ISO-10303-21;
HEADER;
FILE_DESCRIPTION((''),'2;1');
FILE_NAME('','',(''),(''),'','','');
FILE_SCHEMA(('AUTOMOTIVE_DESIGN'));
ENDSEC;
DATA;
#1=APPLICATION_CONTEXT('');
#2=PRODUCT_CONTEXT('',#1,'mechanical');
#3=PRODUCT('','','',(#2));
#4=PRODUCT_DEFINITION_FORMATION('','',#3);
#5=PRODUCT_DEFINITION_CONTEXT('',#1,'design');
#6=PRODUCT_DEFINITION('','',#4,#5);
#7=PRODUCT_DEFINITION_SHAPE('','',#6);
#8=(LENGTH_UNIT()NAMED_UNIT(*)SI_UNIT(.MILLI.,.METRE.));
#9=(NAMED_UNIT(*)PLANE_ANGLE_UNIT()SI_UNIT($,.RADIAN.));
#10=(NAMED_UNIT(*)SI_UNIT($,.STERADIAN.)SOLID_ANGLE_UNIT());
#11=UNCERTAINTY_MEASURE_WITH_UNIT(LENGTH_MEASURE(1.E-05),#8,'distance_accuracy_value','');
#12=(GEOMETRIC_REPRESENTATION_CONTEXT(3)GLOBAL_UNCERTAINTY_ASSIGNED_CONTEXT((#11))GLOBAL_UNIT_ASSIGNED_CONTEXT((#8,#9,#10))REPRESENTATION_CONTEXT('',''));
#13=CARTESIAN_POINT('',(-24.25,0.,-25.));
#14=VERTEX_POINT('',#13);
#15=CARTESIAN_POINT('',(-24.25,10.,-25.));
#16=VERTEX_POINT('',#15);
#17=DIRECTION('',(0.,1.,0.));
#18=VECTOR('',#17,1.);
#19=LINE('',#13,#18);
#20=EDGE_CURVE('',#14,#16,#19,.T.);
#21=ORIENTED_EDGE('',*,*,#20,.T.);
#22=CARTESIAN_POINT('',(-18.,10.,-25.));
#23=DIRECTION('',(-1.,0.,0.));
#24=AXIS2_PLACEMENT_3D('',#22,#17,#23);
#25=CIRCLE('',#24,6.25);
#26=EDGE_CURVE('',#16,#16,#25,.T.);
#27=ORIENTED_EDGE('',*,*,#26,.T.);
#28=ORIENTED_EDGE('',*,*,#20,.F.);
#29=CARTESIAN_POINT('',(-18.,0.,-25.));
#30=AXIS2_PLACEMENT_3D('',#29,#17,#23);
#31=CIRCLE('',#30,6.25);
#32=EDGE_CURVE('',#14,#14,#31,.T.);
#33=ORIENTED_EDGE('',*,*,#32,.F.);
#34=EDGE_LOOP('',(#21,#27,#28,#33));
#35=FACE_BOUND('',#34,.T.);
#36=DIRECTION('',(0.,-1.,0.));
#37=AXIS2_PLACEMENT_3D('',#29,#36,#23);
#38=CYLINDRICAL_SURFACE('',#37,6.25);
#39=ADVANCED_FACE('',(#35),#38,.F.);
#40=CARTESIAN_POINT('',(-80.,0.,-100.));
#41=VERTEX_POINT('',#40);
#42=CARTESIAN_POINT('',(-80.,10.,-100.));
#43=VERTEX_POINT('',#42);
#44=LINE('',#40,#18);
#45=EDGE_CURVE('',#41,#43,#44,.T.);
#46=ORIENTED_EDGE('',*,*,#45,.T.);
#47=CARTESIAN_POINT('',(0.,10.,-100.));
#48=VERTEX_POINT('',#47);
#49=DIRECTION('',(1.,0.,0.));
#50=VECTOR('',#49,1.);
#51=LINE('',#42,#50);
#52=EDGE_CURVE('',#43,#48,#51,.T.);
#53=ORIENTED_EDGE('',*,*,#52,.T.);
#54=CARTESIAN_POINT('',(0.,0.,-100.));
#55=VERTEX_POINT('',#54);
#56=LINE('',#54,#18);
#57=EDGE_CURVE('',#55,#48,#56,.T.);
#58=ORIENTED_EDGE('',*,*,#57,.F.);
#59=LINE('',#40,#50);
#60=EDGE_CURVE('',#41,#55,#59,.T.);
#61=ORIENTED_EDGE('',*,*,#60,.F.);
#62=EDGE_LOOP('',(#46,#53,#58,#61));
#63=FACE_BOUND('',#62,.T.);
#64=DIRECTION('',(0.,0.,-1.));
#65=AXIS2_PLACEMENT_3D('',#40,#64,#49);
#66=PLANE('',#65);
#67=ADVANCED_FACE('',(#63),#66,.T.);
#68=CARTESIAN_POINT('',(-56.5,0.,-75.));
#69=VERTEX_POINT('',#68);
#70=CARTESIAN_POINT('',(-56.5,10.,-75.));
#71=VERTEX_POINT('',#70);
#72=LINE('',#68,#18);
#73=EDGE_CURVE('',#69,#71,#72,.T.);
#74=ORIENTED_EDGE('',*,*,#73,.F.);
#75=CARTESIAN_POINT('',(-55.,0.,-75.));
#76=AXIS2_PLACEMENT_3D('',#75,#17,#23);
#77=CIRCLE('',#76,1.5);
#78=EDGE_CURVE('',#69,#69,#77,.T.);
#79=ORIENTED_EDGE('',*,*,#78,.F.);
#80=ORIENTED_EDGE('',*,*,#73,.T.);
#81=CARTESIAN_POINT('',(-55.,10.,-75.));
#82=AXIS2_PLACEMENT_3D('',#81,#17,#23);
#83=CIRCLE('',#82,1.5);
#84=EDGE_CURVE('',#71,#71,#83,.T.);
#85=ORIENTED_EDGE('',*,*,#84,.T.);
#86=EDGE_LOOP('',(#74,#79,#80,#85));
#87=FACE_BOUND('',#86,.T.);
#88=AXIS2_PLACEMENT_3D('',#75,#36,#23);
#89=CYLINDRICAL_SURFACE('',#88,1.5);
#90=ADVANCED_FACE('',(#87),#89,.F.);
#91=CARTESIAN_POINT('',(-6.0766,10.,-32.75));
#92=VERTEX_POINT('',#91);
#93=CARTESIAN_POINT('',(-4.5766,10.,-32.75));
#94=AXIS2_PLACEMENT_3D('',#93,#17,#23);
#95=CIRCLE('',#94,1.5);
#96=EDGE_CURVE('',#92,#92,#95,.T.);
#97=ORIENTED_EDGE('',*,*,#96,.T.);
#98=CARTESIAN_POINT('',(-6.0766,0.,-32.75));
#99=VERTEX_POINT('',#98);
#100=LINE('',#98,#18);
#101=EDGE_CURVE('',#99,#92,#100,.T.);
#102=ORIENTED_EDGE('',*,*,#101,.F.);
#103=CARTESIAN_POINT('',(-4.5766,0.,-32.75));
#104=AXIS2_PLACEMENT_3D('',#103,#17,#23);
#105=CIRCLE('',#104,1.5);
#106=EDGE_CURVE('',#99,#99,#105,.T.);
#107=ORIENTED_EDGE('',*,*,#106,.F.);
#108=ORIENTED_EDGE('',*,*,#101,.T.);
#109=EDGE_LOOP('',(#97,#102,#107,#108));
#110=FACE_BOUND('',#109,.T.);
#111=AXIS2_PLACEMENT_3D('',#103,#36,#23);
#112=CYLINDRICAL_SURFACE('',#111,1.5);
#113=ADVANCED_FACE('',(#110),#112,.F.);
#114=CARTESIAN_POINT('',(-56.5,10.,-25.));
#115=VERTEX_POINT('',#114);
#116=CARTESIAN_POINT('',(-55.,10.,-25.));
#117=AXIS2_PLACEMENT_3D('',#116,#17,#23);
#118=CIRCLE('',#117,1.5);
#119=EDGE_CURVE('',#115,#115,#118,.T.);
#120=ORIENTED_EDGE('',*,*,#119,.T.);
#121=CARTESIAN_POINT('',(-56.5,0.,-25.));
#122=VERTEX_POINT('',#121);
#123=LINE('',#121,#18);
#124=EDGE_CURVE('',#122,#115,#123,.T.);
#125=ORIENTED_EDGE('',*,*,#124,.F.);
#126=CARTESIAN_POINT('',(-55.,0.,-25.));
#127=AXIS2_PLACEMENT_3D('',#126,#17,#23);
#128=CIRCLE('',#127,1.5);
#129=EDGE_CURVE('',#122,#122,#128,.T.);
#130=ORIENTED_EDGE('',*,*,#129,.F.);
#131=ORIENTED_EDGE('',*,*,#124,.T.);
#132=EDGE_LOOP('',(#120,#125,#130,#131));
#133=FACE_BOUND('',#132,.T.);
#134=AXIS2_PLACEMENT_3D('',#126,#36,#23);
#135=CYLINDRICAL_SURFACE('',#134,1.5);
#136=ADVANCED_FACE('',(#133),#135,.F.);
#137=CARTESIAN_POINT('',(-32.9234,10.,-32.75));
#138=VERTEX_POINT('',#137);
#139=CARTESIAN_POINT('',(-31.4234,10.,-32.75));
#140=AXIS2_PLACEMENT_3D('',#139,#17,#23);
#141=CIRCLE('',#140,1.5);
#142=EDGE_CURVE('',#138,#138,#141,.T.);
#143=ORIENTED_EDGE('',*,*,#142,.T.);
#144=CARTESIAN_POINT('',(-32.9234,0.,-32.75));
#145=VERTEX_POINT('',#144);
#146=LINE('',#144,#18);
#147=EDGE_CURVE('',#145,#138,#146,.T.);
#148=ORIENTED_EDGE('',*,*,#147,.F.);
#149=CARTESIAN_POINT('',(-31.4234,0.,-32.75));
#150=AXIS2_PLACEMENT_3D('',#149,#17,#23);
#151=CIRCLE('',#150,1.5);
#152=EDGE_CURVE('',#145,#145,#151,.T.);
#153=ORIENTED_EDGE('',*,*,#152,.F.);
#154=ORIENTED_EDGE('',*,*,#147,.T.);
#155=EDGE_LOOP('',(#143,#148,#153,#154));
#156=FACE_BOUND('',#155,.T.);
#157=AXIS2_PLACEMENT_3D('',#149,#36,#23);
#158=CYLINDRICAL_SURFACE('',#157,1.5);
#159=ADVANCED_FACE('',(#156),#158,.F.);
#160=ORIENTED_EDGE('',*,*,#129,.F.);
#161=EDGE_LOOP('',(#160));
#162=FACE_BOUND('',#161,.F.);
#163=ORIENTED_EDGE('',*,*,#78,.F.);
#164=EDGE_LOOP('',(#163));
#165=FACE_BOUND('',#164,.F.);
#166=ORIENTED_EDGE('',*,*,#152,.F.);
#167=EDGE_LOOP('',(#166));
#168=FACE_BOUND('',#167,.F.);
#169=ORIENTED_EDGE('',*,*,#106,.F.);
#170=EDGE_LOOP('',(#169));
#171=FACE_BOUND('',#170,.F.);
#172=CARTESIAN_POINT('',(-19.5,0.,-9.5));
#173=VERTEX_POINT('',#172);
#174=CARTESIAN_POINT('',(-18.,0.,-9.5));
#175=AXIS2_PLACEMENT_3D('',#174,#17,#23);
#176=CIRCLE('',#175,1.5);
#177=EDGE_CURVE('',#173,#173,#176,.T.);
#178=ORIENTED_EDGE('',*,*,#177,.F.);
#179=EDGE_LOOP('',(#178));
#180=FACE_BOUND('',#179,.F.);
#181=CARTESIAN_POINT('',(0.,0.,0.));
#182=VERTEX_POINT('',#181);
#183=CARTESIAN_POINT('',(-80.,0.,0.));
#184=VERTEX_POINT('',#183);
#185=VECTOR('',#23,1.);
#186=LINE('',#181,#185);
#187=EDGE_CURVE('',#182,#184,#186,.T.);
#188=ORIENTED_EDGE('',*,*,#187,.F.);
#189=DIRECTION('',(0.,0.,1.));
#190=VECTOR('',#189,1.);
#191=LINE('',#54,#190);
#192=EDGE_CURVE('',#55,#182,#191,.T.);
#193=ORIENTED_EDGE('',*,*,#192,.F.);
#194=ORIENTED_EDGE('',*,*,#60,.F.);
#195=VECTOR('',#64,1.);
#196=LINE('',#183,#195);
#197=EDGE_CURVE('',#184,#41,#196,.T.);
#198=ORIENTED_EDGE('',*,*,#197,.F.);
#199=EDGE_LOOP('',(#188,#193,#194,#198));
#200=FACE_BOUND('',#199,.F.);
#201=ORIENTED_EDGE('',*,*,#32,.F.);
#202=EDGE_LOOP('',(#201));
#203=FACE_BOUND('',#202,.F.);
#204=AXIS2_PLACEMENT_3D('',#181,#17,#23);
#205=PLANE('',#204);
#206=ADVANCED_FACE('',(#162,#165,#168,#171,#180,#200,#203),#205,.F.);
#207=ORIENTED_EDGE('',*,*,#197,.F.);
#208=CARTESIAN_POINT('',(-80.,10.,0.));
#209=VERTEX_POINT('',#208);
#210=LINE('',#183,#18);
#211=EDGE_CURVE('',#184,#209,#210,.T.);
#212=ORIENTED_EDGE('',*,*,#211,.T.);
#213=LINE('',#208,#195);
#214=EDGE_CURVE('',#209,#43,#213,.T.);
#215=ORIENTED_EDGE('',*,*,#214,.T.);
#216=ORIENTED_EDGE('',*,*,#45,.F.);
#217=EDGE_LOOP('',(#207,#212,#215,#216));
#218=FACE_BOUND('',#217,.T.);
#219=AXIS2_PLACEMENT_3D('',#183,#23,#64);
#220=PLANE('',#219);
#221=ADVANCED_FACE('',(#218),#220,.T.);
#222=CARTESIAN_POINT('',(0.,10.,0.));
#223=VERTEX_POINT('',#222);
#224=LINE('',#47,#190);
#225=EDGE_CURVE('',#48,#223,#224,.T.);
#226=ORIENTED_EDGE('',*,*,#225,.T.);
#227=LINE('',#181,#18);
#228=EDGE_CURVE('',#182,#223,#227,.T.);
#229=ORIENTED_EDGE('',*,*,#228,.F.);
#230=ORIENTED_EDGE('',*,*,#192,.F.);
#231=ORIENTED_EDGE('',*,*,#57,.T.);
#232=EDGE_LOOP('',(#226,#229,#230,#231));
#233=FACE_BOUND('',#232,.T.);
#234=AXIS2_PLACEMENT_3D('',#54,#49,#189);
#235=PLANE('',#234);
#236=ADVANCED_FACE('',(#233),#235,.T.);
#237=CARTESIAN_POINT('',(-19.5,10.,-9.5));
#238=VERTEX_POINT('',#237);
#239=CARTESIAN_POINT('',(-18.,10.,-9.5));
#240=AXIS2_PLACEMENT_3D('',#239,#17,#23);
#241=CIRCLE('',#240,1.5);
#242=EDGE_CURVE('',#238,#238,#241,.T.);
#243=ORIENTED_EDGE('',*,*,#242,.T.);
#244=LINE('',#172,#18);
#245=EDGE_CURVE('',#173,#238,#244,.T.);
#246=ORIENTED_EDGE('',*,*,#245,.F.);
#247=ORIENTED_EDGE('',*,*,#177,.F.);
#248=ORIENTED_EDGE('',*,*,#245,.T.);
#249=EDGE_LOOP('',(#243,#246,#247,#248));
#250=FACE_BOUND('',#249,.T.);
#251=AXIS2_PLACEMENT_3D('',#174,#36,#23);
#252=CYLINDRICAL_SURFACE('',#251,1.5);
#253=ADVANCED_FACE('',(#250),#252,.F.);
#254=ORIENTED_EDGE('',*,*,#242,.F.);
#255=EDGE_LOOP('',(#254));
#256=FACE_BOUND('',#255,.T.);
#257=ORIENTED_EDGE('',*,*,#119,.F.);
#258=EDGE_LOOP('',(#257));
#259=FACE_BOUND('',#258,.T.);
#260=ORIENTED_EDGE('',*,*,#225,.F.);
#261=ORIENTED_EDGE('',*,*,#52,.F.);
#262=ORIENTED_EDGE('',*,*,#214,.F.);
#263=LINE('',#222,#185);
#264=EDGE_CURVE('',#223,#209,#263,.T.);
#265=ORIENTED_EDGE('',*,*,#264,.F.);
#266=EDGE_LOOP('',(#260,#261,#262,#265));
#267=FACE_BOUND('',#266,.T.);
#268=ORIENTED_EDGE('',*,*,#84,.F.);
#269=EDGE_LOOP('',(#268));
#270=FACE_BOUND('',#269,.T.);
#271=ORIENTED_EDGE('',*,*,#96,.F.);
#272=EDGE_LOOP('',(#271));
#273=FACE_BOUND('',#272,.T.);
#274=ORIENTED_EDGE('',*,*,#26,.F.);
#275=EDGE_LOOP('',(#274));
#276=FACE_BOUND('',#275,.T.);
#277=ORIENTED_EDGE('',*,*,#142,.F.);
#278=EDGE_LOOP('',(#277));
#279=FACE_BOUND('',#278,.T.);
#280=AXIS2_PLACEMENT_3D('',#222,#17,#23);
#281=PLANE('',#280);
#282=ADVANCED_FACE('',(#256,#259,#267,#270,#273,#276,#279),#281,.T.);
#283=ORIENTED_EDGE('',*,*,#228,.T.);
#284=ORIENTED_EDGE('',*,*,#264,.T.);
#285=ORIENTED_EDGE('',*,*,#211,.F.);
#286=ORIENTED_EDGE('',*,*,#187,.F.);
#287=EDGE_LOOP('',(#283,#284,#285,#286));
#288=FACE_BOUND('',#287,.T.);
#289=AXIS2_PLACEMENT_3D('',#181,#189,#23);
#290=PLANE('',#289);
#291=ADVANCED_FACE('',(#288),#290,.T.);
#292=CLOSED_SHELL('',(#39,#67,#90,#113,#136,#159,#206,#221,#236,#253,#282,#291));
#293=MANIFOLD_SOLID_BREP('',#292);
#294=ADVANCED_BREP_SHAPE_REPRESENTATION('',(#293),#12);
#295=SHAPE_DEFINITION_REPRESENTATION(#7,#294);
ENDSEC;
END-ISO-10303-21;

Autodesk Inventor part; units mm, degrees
ref_plane "YZ Plane" through (0, 0, 0) normal (1, 0, 0) x (0, 1, 0)
ref_plane "XZ Plane" through (0, 0, 0) normal (0, 1, 0) x (-1, 0, 0)
ref_plane "XY Plane" through (0, 0, 0) normal (0, 0, 1) x (1, 0, 0)
sketch "Sketch1" plane through (0, 0, 0) normal (0, 1, 0) x (-1, 0, 0)
  line L0 (0, 0) -> (80, 0)
  line L1 (80, 0) -> (80, -100)
  line L2 (80, -100) -> (0, -100)
  line L3 (0, -100) -> (0, 0)
  line L4 (55, 12.5326) -> (55, -107.8943) construction
  circle A0 centre (55, -25) radius 1.5
  circle A1 centre (55, -75) radius 1.5
  line L5 (55, -25) -> (18, -25) construction
  circle A2 centre (18, -25) radius 1.5
  circle A3 centre (18, -25) radius 6.25
  circle A4 centre (18, -9.5) radius 1.5
  circle A5 centre (4.5766, -32.75) radius 1.5
  circle A6 centre (31.4234, -32.75) radius 1.5
  dimension "d2" = 25
  dimension "d3" = 3
  dimension "d4" = 3
  dimension "d5" = 25
  dimension "d6" = 50
  dimension "d7" = 37
  dimension "d8" = 3
  dimension "d9" = 100
  dimension "d10" = 80
  dimension "d13" = 12.5
  dimension "d16" = 3
  dimension "d17" = 15.5
  dimension "d20" = 360
  dimension "d22" = 12.5326
  dimension "d23" = 107.8943
  dimension "d27" = 48.5766
extrude "Extrusion1" add sketch "Sketch1" along normal blind 10 contours L0 L1 L2 L3 | A3 | A4 | A5 | A6
extrude "Extrusion2" cut sketch "Sketch1" along normal blind 10 contours A3
extrude "Extrusion3" cut sketch "Sketch1" along normal blind 10 contours A4 | A5 | A6
properties part number "Support test1"
